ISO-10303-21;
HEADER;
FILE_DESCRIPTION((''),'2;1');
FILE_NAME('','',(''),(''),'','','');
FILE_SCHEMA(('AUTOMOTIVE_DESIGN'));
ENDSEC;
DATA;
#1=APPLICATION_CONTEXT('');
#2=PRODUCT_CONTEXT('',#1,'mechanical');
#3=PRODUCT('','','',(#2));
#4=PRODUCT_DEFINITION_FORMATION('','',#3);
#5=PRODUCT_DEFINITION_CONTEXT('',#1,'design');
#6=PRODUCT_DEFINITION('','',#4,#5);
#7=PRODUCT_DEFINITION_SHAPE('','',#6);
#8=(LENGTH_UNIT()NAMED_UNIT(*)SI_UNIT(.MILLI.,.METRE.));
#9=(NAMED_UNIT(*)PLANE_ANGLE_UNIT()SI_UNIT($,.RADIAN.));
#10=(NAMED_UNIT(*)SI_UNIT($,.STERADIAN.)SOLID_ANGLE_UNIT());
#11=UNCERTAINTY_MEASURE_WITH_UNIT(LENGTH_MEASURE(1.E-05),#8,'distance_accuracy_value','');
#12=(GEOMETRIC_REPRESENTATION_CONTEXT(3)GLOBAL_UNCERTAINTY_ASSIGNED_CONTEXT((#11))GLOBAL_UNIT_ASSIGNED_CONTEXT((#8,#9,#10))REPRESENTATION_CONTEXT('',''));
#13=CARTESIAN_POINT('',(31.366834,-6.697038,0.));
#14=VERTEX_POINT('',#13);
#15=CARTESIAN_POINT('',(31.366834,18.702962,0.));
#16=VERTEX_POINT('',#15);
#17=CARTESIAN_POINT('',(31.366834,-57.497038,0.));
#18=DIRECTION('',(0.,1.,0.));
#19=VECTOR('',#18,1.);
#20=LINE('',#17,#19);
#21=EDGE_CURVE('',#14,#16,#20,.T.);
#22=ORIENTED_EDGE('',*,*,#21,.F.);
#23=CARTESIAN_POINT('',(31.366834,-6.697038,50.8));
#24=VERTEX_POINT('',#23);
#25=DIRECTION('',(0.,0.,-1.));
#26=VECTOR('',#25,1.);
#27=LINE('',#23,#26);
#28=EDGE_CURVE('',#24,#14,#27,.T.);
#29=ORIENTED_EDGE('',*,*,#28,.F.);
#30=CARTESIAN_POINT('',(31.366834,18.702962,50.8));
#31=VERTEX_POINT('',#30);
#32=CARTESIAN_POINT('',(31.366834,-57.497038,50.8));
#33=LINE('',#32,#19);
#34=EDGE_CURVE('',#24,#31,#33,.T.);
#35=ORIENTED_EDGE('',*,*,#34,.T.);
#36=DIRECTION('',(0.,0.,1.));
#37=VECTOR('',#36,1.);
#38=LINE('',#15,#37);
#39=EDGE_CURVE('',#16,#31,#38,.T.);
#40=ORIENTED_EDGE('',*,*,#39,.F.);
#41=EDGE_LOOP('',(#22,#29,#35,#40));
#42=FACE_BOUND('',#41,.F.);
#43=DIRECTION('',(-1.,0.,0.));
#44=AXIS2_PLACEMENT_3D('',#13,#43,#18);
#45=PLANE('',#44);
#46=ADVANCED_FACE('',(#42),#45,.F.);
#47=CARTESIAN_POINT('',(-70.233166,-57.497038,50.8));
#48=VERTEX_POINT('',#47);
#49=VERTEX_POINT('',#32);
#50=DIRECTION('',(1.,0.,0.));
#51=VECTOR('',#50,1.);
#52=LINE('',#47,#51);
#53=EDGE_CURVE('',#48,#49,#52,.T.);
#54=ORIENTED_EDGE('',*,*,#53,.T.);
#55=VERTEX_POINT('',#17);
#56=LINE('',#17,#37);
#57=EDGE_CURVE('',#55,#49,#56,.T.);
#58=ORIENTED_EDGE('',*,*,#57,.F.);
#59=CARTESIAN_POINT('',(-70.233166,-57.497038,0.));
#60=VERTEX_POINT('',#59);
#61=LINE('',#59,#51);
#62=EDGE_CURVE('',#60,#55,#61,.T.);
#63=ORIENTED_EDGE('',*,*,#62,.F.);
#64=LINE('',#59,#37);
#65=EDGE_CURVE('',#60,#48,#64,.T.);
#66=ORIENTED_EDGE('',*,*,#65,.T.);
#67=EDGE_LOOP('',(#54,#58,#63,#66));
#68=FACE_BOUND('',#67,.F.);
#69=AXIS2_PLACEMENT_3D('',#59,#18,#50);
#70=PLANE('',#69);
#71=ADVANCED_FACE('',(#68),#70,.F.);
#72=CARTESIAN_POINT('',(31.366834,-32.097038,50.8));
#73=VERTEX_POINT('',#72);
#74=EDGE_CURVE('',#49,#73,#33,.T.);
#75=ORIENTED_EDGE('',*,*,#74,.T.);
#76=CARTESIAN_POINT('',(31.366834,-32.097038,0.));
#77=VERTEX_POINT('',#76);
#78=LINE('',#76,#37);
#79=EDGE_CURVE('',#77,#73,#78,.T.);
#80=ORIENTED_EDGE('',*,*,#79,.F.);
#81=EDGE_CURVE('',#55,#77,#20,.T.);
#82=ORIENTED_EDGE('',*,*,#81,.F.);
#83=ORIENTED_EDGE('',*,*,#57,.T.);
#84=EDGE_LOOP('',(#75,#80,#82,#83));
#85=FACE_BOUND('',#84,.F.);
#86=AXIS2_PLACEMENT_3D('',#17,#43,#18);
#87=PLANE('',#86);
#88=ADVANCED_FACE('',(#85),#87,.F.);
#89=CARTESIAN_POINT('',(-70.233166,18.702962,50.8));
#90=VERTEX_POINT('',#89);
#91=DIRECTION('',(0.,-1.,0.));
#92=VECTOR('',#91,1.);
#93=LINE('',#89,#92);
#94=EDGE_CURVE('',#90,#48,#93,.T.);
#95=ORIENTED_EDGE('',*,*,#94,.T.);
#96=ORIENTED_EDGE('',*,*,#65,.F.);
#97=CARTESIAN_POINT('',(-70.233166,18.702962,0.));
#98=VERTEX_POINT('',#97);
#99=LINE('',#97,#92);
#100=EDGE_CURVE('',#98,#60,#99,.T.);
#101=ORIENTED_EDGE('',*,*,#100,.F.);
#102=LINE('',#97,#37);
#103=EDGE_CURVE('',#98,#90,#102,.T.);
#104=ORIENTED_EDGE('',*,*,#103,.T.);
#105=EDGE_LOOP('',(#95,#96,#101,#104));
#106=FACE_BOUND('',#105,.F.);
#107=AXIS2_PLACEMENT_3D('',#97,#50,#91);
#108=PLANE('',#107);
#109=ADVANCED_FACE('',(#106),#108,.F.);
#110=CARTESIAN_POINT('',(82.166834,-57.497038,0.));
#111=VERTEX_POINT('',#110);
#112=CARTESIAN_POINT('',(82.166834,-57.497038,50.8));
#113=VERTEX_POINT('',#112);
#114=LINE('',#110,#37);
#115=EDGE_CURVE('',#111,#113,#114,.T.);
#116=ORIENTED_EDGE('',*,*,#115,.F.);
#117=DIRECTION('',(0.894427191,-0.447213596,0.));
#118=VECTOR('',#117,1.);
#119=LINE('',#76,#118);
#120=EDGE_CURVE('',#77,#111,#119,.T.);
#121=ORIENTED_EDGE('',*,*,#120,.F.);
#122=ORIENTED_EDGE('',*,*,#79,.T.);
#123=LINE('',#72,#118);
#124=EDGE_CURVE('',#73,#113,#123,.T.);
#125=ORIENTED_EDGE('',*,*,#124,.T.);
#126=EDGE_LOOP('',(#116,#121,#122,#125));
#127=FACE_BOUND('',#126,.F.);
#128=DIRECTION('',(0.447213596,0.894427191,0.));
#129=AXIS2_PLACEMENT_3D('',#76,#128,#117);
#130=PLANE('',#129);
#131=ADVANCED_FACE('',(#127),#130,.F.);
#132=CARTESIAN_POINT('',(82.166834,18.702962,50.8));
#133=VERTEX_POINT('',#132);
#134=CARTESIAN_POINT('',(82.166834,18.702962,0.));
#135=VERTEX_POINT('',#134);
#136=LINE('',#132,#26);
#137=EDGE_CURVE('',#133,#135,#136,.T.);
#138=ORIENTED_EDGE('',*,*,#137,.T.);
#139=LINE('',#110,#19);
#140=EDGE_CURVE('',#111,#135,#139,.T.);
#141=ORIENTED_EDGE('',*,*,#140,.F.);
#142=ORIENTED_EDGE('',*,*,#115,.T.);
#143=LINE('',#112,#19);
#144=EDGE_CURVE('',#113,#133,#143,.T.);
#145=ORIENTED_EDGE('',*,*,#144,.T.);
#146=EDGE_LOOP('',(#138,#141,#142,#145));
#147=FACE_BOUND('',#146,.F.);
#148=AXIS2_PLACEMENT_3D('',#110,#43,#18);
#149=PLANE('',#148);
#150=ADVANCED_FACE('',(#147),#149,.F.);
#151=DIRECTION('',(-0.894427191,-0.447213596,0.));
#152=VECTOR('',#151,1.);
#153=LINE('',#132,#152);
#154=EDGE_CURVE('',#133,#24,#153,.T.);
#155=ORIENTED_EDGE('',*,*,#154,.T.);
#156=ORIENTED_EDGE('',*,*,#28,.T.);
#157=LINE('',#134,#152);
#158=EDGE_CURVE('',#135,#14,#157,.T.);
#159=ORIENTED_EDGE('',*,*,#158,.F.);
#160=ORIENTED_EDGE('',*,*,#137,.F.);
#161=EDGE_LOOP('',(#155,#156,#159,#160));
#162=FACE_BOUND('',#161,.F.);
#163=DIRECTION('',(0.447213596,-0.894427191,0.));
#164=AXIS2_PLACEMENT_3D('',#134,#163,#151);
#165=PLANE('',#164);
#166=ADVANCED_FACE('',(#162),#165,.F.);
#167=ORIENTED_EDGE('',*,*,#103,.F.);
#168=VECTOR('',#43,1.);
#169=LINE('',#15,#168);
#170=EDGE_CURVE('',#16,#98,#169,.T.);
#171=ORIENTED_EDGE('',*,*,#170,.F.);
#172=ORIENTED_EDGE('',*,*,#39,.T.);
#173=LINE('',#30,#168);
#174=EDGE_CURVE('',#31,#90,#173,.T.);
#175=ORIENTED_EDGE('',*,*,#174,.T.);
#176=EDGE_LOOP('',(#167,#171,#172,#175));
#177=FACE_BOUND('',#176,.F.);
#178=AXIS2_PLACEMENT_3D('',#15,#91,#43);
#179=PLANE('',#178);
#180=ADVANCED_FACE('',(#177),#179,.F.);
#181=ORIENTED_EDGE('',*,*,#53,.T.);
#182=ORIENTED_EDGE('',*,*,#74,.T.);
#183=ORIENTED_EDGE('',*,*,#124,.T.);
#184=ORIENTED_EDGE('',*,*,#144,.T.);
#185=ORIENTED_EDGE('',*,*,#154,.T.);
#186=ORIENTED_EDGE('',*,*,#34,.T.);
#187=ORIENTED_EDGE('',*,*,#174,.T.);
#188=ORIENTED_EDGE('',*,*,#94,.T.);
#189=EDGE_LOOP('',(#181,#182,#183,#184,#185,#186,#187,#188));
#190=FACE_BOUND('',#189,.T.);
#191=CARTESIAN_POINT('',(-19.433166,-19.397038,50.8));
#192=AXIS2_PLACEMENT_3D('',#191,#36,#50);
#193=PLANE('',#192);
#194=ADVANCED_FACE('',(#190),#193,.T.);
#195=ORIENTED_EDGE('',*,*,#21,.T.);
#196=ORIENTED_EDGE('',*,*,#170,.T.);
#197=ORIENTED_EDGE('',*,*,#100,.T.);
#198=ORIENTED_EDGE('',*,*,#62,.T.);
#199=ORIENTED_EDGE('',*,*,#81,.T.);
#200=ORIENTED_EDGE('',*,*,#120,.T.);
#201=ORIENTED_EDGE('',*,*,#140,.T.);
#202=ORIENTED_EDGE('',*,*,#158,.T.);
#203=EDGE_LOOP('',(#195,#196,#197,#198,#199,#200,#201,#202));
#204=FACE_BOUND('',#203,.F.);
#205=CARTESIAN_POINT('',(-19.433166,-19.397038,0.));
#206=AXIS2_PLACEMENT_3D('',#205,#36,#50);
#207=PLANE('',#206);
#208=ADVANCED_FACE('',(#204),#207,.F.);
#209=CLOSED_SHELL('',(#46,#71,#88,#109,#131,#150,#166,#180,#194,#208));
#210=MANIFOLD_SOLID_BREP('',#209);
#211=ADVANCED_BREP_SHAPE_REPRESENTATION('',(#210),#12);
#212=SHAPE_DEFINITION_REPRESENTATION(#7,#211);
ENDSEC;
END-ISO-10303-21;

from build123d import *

# Parameters (mm, degrees)
F1_DEPTH = 25.4
F2_DEPTH = 50.8


with BuildPart() as f1:
    # F0 (on Top) → F1 (new body)
    with BuildSketch(Plane.XY):
        Polygon((82.166834, 18.702962), (31.366834, -6.697038), (31.366834, -32.097038), (82.166834, -57.497038), align=None)
    extrude(amount=F1_DEPTH)

    # F0 (on Top) → F2 (join)
    with BuildSketch(Plane.XY):
        Polygon((31.366834, 18.702962), (-70.233166, 18.702962), (-70.233166, -57.497038), (31.366834, -57.497038), (31.366834, -32.097038), (31.366834, -6.697038), align=None)
        Polygon((82.166834, 18.702962), (31.366834, -6.697038), (31.366834, -32.097038), (82.166834, -57.497038), align=None)
    extrude(amount=F2_DEPTH)


solid = f1.part
